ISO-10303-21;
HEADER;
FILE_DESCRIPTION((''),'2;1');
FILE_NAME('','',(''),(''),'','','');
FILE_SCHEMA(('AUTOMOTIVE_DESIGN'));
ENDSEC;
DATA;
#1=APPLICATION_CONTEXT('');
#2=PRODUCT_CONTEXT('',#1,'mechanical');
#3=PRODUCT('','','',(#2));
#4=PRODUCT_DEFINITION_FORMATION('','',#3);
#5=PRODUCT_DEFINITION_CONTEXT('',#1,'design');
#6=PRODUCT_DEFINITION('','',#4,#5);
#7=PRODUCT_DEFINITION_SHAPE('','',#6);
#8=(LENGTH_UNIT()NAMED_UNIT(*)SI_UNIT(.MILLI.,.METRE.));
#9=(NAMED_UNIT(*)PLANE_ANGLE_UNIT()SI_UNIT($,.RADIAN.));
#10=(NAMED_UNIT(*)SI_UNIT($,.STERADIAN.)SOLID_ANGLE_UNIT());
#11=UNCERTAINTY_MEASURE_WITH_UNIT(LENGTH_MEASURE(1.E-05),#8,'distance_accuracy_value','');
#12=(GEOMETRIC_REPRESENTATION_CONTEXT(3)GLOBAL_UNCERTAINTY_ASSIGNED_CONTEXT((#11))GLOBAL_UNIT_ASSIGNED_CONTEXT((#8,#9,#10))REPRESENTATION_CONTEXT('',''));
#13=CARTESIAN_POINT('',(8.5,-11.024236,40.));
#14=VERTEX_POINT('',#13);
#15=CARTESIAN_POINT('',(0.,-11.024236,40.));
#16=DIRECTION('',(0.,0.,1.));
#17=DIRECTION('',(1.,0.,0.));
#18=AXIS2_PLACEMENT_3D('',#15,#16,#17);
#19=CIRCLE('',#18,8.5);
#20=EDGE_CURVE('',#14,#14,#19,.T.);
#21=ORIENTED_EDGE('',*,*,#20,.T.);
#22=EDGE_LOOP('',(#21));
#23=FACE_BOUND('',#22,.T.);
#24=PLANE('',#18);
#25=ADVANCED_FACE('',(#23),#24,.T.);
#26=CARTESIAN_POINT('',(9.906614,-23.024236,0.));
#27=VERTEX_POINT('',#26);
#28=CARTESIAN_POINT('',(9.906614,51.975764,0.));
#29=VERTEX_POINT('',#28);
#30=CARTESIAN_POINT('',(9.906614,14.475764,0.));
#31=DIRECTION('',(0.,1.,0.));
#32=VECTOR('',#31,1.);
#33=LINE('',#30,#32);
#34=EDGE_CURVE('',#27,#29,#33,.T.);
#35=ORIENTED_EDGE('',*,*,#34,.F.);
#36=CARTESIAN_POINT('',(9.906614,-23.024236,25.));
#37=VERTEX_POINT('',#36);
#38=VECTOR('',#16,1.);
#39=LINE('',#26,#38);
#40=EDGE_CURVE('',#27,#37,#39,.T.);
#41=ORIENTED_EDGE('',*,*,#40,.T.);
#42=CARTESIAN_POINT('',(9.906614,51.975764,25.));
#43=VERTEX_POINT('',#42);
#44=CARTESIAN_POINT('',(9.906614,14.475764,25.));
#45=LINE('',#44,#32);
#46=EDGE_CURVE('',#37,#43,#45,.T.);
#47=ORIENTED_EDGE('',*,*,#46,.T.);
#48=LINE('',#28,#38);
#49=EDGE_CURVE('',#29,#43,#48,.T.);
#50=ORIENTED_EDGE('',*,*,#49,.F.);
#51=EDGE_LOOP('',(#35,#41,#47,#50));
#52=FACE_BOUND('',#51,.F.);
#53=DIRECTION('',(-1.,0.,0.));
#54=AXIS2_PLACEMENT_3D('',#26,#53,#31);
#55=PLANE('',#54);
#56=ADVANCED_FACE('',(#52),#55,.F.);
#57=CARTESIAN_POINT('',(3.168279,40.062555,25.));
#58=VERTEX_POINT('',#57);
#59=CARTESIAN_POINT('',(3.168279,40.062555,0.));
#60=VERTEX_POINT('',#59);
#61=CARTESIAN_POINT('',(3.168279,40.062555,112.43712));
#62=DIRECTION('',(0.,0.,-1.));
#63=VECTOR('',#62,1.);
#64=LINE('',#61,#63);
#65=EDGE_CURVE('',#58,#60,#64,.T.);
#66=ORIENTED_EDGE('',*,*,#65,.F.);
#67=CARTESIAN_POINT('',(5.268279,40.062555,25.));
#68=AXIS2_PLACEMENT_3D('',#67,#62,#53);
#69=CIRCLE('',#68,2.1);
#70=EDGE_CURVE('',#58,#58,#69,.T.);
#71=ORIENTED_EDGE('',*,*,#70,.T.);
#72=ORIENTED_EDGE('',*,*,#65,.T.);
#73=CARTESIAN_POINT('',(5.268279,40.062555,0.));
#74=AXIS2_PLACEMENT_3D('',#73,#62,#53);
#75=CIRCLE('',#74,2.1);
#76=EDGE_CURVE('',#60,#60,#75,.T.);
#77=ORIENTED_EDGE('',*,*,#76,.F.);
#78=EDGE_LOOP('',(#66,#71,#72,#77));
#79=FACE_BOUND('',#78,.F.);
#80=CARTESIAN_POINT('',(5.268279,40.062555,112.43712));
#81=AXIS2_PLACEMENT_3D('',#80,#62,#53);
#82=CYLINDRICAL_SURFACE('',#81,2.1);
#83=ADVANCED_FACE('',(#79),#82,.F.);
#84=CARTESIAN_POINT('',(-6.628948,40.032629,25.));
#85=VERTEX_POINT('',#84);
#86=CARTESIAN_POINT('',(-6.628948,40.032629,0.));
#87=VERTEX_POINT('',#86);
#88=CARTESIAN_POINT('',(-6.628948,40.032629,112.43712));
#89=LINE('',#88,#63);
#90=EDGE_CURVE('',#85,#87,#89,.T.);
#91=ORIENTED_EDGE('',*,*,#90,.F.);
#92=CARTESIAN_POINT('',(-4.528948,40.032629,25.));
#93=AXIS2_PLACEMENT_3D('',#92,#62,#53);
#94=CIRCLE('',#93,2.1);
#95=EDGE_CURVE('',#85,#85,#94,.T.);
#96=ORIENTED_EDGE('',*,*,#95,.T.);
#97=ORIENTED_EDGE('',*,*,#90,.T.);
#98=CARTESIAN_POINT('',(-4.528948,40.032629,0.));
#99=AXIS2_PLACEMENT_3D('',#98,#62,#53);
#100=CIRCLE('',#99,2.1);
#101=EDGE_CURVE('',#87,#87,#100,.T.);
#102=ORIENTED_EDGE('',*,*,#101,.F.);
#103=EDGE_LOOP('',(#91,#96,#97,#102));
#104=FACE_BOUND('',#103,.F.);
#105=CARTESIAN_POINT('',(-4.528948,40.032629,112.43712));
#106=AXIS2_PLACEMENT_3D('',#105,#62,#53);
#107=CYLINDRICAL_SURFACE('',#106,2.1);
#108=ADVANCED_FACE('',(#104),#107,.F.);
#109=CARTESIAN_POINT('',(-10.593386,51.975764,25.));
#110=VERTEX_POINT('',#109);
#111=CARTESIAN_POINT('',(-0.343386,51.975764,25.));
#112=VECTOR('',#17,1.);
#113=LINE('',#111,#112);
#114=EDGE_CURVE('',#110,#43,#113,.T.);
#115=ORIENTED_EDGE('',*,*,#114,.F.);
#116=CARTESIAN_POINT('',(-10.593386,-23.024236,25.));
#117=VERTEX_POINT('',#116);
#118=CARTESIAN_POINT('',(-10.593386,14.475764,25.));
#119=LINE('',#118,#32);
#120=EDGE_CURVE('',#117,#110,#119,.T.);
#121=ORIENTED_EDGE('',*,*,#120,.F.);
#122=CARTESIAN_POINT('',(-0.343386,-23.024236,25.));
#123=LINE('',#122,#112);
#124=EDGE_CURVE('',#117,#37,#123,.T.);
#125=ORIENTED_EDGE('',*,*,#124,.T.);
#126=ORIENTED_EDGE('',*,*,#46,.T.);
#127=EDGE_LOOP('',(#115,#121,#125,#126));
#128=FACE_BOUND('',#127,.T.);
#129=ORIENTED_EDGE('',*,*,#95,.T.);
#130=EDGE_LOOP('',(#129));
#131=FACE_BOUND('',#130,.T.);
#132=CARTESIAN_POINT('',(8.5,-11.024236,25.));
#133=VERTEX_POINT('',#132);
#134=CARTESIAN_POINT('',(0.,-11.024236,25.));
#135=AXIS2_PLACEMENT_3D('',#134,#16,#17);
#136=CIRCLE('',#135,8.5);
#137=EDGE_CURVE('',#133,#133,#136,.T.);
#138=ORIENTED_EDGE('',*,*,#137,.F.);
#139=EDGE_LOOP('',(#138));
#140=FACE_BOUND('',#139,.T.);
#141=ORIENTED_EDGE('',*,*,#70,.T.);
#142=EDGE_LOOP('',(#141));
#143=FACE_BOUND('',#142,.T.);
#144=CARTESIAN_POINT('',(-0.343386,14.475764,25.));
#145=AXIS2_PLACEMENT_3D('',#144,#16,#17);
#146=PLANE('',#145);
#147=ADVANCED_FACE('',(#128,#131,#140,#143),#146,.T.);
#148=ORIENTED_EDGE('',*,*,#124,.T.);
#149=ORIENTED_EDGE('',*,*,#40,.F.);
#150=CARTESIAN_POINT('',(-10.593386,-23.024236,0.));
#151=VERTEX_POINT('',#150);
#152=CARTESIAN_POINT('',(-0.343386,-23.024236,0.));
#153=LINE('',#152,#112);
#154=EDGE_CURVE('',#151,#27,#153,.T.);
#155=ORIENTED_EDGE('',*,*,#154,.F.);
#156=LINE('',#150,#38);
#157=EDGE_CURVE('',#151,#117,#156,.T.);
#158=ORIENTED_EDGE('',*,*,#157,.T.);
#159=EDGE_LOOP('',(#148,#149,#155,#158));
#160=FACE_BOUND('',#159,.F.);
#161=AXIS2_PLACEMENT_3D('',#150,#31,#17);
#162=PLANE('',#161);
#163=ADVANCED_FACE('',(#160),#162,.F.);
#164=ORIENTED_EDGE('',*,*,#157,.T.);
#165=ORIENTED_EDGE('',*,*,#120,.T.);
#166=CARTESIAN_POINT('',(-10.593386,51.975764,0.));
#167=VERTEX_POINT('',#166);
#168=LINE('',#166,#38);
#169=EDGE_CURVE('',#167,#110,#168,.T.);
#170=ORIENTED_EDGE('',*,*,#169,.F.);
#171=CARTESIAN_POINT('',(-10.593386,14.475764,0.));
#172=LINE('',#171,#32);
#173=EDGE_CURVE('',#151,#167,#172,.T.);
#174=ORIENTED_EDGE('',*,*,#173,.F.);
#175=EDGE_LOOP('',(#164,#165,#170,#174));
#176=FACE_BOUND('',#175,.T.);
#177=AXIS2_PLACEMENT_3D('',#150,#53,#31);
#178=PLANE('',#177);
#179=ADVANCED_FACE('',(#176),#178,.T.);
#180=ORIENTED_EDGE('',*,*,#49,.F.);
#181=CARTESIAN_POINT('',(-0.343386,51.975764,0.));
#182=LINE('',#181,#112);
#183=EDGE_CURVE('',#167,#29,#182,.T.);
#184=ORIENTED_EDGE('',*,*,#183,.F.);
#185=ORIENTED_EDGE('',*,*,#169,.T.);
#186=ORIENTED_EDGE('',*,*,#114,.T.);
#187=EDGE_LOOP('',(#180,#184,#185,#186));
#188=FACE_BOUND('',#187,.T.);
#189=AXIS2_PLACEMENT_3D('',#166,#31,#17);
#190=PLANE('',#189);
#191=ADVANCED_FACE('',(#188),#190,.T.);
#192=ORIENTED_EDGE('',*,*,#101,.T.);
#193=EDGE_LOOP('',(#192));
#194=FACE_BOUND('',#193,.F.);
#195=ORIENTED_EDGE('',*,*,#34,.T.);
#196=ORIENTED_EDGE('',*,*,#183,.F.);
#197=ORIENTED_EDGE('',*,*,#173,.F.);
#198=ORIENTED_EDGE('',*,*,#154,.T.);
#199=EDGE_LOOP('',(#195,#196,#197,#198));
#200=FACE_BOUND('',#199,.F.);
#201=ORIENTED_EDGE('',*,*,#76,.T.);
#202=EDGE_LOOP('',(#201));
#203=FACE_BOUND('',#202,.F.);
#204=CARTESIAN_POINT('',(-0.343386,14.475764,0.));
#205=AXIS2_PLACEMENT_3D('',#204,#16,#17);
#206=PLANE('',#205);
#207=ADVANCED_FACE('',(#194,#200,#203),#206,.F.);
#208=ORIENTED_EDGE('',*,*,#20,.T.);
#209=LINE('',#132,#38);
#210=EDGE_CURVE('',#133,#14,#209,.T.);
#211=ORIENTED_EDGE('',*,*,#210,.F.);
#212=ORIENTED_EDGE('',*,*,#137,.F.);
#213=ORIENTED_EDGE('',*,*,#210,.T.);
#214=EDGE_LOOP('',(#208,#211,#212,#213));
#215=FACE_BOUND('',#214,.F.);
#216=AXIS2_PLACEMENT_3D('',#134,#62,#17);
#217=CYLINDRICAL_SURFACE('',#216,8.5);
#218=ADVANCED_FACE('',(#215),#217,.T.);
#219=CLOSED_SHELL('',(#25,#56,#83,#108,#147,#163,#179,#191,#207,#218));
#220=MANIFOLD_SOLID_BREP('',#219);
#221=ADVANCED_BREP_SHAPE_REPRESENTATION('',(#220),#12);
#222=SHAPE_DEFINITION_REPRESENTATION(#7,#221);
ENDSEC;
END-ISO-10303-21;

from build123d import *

# Parameters (mm, degrees)
F0_W     = 20.5
F0_H     = 75
F1_DEPTH = 25
F2_R     = 8.5
F3_DEPTH = 15
F5_D     = 4.2


with BuildPart() as f1:
    # F0 (on Top) → F1 (new body)
    with BuildSketch(Plane.XY):
        with Locations((-0.3433860838, 14.475764136)):
            Rectangle(F0_W, F0_H)
    extrude(amount=F1_DEPTH)

    # F2 (on face) → F3 (join)
    with BuildSketch(Plane.XY.offset(25)):
        with Locations((0, -11.024235864)):
            Circle(F2_R)
    extrude(amount=F3_DEPTH)

    # F5 (through all)
    with Locations(Plane.XY.offset(25)):
        with Locations((-4.5289483146, 40.0326289237), (5.268279344, 40.0625547821)):
            Hole(F5_D / 2)


solid = f1.part
